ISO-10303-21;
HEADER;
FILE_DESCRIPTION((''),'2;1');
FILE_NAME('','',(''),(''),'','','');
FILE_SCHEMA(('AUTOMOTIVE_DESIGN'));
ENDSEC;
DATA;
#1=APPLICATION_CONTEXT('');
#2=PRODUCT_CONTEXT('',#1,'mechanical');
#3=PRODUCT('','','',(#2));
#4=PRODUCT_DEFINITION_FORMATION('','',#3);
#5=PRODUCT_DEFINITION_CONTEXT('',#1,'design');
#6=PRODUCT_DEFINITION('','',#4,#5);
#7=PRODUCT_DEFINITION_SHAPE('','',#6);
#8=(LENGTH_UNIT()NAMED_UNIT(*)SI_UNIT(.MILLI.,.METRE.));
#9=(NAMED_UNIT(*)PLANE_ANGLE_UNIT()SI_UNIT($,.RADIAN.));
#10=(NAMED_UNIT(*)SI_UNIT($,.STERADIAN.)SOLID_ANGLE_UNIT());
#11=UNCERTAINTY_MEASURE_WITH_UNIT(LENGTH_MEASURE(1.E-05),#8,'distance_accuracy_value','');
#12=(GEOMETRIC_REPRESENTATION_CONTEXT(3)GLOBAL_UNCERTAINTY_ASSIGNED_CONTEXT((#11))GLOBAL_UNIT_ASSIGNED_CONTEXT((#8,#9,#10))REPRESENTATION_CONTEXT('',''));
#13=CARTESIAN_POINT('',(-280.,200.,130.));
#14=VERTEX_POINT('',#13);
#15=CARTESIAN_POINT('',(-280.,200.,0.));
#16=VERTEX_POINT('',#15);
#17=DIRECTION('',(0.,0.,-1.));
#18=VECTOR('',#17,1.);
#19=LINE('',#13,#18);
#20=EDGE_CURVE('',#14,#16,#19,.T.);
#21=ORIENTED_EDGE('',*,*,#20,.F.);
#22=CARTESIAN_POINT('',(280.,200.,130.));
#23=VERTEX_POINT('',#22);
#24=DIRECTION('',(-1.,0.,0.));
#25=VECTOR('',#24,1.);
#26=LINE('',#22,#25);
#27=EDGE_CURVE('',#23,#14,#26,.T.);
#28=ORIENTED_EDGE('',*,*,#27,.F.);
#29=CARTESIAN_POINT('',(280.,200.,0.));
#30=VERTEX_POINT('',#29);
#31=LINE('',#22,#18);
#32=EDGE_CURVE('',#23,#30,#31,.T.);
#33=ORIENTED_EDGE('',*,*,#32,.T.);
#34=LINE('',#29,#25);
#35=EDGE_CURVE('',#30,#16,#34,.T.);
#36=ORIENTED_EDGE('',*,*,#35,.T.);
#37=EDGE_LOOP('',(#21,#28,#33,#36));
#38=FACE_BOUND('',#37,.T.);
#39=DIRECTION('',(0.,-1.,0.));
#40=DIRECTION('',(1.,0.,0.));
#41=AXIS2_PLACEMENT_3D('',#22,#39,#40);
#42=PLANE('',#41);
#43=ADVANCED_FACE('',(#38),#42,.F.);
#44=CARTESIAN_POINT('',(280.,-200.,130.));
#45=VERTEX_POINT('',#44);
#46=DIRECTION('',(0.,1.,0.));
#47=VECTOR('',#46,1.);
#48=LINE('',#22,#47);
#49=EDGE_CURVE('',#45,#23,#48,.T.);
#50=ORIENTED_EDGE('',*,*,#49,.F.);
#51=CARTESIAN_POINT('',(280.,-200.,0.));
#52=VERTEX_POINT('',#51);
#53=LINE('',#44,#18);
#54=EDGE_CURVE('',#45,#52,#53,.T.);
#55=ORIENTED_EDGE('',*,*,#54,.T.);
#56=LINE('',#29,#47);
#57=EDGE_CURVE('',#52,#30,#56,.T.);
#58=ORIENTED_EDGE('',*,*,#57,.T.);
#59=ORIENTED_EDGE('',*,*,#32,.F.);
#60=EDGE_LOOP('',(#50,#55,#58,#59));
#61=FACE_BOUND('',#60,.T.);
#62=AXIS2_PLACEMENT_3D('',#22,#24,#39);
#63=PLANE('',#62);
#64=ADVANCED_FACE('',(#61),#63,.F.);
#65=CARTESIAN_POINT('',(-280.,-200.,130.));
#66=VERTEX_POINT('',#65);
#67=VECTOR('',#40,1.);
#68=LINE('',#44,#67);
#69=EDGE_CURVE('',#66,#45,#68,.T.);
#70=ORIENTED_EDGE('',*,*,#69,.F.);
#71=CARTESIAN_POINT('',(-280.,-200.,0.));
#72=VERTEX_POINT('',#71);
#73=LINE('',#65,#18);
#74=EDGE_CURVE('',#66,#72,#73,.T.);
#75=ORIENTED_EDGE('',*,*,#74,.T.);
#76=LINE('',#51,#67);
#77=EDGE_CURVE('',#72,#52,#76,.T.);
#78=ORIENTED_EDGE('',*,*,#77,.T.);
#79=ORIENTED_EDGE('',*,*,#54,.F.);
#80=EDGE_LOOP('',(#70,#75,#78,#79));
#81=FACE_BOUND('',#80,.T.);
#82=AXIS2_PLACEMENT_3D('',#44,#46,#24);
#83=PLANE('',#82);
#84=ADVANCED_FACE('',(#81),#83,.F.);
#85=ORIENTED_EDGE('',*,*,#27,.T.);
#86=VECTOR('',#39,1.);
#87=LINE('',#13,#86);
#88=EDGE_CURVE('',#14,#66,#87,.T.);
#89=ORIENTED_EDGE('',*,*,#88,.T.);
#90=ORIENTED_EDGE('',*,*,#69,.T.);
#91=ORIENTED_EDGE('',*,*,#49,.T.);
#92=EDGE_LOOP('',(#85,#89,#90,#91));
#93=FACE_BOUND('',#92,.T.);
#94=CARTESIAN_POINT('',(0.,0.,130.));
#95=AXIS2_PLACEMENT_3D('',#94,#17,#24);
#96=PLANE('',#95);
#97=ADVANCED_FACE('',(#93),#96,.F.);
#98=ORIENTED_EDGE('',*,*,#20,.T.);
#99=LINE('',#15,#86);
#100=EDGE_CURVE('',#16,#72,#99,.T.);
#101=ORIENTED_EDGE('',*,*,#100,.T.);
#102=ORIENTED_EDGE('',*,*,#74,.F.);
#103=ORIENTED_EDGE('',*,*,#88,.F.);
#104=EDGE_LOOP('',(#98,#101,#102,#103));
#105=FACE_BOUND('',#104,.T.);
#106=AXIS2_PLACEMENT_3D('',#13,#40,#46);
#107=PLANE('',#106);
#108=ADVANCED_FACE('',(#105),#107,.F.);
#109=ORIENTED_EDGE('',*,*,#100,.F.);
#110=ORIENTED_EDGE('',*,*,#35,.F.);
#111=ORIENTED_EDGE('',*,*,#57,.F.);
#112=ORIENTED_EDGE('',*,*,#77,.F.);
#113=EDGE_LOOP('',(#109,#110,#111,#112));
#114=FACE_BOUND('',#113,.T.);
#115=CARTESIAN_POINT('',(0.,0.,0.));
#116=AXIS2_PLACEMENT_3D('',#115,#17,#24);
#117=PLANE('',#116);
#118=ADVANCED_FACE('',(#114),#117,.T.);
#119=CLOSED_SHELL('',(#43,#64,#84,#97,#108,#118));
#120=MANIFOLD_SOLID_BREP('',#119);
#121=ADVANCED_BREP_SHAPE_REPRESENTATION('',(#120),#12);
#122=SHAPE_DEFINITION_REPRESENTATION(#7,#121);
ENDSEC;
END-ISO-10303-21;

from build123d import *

# Parameters (mm, degrees)
SKETCH_2_W      = 560
SKETCH_2_H      = 400
EXTRUDE_1_DEPTH = 130


with BuildPart() as part:
    # 스케치2 → 보스-돌출1 (new body)
    with BuildSketch(Plane.XY):
        Rectangle(SKETCH_2_W, SKETCH_2_H)
    extrude(amount=EXTRUDE_1_DEPTH)


solid = part.part
